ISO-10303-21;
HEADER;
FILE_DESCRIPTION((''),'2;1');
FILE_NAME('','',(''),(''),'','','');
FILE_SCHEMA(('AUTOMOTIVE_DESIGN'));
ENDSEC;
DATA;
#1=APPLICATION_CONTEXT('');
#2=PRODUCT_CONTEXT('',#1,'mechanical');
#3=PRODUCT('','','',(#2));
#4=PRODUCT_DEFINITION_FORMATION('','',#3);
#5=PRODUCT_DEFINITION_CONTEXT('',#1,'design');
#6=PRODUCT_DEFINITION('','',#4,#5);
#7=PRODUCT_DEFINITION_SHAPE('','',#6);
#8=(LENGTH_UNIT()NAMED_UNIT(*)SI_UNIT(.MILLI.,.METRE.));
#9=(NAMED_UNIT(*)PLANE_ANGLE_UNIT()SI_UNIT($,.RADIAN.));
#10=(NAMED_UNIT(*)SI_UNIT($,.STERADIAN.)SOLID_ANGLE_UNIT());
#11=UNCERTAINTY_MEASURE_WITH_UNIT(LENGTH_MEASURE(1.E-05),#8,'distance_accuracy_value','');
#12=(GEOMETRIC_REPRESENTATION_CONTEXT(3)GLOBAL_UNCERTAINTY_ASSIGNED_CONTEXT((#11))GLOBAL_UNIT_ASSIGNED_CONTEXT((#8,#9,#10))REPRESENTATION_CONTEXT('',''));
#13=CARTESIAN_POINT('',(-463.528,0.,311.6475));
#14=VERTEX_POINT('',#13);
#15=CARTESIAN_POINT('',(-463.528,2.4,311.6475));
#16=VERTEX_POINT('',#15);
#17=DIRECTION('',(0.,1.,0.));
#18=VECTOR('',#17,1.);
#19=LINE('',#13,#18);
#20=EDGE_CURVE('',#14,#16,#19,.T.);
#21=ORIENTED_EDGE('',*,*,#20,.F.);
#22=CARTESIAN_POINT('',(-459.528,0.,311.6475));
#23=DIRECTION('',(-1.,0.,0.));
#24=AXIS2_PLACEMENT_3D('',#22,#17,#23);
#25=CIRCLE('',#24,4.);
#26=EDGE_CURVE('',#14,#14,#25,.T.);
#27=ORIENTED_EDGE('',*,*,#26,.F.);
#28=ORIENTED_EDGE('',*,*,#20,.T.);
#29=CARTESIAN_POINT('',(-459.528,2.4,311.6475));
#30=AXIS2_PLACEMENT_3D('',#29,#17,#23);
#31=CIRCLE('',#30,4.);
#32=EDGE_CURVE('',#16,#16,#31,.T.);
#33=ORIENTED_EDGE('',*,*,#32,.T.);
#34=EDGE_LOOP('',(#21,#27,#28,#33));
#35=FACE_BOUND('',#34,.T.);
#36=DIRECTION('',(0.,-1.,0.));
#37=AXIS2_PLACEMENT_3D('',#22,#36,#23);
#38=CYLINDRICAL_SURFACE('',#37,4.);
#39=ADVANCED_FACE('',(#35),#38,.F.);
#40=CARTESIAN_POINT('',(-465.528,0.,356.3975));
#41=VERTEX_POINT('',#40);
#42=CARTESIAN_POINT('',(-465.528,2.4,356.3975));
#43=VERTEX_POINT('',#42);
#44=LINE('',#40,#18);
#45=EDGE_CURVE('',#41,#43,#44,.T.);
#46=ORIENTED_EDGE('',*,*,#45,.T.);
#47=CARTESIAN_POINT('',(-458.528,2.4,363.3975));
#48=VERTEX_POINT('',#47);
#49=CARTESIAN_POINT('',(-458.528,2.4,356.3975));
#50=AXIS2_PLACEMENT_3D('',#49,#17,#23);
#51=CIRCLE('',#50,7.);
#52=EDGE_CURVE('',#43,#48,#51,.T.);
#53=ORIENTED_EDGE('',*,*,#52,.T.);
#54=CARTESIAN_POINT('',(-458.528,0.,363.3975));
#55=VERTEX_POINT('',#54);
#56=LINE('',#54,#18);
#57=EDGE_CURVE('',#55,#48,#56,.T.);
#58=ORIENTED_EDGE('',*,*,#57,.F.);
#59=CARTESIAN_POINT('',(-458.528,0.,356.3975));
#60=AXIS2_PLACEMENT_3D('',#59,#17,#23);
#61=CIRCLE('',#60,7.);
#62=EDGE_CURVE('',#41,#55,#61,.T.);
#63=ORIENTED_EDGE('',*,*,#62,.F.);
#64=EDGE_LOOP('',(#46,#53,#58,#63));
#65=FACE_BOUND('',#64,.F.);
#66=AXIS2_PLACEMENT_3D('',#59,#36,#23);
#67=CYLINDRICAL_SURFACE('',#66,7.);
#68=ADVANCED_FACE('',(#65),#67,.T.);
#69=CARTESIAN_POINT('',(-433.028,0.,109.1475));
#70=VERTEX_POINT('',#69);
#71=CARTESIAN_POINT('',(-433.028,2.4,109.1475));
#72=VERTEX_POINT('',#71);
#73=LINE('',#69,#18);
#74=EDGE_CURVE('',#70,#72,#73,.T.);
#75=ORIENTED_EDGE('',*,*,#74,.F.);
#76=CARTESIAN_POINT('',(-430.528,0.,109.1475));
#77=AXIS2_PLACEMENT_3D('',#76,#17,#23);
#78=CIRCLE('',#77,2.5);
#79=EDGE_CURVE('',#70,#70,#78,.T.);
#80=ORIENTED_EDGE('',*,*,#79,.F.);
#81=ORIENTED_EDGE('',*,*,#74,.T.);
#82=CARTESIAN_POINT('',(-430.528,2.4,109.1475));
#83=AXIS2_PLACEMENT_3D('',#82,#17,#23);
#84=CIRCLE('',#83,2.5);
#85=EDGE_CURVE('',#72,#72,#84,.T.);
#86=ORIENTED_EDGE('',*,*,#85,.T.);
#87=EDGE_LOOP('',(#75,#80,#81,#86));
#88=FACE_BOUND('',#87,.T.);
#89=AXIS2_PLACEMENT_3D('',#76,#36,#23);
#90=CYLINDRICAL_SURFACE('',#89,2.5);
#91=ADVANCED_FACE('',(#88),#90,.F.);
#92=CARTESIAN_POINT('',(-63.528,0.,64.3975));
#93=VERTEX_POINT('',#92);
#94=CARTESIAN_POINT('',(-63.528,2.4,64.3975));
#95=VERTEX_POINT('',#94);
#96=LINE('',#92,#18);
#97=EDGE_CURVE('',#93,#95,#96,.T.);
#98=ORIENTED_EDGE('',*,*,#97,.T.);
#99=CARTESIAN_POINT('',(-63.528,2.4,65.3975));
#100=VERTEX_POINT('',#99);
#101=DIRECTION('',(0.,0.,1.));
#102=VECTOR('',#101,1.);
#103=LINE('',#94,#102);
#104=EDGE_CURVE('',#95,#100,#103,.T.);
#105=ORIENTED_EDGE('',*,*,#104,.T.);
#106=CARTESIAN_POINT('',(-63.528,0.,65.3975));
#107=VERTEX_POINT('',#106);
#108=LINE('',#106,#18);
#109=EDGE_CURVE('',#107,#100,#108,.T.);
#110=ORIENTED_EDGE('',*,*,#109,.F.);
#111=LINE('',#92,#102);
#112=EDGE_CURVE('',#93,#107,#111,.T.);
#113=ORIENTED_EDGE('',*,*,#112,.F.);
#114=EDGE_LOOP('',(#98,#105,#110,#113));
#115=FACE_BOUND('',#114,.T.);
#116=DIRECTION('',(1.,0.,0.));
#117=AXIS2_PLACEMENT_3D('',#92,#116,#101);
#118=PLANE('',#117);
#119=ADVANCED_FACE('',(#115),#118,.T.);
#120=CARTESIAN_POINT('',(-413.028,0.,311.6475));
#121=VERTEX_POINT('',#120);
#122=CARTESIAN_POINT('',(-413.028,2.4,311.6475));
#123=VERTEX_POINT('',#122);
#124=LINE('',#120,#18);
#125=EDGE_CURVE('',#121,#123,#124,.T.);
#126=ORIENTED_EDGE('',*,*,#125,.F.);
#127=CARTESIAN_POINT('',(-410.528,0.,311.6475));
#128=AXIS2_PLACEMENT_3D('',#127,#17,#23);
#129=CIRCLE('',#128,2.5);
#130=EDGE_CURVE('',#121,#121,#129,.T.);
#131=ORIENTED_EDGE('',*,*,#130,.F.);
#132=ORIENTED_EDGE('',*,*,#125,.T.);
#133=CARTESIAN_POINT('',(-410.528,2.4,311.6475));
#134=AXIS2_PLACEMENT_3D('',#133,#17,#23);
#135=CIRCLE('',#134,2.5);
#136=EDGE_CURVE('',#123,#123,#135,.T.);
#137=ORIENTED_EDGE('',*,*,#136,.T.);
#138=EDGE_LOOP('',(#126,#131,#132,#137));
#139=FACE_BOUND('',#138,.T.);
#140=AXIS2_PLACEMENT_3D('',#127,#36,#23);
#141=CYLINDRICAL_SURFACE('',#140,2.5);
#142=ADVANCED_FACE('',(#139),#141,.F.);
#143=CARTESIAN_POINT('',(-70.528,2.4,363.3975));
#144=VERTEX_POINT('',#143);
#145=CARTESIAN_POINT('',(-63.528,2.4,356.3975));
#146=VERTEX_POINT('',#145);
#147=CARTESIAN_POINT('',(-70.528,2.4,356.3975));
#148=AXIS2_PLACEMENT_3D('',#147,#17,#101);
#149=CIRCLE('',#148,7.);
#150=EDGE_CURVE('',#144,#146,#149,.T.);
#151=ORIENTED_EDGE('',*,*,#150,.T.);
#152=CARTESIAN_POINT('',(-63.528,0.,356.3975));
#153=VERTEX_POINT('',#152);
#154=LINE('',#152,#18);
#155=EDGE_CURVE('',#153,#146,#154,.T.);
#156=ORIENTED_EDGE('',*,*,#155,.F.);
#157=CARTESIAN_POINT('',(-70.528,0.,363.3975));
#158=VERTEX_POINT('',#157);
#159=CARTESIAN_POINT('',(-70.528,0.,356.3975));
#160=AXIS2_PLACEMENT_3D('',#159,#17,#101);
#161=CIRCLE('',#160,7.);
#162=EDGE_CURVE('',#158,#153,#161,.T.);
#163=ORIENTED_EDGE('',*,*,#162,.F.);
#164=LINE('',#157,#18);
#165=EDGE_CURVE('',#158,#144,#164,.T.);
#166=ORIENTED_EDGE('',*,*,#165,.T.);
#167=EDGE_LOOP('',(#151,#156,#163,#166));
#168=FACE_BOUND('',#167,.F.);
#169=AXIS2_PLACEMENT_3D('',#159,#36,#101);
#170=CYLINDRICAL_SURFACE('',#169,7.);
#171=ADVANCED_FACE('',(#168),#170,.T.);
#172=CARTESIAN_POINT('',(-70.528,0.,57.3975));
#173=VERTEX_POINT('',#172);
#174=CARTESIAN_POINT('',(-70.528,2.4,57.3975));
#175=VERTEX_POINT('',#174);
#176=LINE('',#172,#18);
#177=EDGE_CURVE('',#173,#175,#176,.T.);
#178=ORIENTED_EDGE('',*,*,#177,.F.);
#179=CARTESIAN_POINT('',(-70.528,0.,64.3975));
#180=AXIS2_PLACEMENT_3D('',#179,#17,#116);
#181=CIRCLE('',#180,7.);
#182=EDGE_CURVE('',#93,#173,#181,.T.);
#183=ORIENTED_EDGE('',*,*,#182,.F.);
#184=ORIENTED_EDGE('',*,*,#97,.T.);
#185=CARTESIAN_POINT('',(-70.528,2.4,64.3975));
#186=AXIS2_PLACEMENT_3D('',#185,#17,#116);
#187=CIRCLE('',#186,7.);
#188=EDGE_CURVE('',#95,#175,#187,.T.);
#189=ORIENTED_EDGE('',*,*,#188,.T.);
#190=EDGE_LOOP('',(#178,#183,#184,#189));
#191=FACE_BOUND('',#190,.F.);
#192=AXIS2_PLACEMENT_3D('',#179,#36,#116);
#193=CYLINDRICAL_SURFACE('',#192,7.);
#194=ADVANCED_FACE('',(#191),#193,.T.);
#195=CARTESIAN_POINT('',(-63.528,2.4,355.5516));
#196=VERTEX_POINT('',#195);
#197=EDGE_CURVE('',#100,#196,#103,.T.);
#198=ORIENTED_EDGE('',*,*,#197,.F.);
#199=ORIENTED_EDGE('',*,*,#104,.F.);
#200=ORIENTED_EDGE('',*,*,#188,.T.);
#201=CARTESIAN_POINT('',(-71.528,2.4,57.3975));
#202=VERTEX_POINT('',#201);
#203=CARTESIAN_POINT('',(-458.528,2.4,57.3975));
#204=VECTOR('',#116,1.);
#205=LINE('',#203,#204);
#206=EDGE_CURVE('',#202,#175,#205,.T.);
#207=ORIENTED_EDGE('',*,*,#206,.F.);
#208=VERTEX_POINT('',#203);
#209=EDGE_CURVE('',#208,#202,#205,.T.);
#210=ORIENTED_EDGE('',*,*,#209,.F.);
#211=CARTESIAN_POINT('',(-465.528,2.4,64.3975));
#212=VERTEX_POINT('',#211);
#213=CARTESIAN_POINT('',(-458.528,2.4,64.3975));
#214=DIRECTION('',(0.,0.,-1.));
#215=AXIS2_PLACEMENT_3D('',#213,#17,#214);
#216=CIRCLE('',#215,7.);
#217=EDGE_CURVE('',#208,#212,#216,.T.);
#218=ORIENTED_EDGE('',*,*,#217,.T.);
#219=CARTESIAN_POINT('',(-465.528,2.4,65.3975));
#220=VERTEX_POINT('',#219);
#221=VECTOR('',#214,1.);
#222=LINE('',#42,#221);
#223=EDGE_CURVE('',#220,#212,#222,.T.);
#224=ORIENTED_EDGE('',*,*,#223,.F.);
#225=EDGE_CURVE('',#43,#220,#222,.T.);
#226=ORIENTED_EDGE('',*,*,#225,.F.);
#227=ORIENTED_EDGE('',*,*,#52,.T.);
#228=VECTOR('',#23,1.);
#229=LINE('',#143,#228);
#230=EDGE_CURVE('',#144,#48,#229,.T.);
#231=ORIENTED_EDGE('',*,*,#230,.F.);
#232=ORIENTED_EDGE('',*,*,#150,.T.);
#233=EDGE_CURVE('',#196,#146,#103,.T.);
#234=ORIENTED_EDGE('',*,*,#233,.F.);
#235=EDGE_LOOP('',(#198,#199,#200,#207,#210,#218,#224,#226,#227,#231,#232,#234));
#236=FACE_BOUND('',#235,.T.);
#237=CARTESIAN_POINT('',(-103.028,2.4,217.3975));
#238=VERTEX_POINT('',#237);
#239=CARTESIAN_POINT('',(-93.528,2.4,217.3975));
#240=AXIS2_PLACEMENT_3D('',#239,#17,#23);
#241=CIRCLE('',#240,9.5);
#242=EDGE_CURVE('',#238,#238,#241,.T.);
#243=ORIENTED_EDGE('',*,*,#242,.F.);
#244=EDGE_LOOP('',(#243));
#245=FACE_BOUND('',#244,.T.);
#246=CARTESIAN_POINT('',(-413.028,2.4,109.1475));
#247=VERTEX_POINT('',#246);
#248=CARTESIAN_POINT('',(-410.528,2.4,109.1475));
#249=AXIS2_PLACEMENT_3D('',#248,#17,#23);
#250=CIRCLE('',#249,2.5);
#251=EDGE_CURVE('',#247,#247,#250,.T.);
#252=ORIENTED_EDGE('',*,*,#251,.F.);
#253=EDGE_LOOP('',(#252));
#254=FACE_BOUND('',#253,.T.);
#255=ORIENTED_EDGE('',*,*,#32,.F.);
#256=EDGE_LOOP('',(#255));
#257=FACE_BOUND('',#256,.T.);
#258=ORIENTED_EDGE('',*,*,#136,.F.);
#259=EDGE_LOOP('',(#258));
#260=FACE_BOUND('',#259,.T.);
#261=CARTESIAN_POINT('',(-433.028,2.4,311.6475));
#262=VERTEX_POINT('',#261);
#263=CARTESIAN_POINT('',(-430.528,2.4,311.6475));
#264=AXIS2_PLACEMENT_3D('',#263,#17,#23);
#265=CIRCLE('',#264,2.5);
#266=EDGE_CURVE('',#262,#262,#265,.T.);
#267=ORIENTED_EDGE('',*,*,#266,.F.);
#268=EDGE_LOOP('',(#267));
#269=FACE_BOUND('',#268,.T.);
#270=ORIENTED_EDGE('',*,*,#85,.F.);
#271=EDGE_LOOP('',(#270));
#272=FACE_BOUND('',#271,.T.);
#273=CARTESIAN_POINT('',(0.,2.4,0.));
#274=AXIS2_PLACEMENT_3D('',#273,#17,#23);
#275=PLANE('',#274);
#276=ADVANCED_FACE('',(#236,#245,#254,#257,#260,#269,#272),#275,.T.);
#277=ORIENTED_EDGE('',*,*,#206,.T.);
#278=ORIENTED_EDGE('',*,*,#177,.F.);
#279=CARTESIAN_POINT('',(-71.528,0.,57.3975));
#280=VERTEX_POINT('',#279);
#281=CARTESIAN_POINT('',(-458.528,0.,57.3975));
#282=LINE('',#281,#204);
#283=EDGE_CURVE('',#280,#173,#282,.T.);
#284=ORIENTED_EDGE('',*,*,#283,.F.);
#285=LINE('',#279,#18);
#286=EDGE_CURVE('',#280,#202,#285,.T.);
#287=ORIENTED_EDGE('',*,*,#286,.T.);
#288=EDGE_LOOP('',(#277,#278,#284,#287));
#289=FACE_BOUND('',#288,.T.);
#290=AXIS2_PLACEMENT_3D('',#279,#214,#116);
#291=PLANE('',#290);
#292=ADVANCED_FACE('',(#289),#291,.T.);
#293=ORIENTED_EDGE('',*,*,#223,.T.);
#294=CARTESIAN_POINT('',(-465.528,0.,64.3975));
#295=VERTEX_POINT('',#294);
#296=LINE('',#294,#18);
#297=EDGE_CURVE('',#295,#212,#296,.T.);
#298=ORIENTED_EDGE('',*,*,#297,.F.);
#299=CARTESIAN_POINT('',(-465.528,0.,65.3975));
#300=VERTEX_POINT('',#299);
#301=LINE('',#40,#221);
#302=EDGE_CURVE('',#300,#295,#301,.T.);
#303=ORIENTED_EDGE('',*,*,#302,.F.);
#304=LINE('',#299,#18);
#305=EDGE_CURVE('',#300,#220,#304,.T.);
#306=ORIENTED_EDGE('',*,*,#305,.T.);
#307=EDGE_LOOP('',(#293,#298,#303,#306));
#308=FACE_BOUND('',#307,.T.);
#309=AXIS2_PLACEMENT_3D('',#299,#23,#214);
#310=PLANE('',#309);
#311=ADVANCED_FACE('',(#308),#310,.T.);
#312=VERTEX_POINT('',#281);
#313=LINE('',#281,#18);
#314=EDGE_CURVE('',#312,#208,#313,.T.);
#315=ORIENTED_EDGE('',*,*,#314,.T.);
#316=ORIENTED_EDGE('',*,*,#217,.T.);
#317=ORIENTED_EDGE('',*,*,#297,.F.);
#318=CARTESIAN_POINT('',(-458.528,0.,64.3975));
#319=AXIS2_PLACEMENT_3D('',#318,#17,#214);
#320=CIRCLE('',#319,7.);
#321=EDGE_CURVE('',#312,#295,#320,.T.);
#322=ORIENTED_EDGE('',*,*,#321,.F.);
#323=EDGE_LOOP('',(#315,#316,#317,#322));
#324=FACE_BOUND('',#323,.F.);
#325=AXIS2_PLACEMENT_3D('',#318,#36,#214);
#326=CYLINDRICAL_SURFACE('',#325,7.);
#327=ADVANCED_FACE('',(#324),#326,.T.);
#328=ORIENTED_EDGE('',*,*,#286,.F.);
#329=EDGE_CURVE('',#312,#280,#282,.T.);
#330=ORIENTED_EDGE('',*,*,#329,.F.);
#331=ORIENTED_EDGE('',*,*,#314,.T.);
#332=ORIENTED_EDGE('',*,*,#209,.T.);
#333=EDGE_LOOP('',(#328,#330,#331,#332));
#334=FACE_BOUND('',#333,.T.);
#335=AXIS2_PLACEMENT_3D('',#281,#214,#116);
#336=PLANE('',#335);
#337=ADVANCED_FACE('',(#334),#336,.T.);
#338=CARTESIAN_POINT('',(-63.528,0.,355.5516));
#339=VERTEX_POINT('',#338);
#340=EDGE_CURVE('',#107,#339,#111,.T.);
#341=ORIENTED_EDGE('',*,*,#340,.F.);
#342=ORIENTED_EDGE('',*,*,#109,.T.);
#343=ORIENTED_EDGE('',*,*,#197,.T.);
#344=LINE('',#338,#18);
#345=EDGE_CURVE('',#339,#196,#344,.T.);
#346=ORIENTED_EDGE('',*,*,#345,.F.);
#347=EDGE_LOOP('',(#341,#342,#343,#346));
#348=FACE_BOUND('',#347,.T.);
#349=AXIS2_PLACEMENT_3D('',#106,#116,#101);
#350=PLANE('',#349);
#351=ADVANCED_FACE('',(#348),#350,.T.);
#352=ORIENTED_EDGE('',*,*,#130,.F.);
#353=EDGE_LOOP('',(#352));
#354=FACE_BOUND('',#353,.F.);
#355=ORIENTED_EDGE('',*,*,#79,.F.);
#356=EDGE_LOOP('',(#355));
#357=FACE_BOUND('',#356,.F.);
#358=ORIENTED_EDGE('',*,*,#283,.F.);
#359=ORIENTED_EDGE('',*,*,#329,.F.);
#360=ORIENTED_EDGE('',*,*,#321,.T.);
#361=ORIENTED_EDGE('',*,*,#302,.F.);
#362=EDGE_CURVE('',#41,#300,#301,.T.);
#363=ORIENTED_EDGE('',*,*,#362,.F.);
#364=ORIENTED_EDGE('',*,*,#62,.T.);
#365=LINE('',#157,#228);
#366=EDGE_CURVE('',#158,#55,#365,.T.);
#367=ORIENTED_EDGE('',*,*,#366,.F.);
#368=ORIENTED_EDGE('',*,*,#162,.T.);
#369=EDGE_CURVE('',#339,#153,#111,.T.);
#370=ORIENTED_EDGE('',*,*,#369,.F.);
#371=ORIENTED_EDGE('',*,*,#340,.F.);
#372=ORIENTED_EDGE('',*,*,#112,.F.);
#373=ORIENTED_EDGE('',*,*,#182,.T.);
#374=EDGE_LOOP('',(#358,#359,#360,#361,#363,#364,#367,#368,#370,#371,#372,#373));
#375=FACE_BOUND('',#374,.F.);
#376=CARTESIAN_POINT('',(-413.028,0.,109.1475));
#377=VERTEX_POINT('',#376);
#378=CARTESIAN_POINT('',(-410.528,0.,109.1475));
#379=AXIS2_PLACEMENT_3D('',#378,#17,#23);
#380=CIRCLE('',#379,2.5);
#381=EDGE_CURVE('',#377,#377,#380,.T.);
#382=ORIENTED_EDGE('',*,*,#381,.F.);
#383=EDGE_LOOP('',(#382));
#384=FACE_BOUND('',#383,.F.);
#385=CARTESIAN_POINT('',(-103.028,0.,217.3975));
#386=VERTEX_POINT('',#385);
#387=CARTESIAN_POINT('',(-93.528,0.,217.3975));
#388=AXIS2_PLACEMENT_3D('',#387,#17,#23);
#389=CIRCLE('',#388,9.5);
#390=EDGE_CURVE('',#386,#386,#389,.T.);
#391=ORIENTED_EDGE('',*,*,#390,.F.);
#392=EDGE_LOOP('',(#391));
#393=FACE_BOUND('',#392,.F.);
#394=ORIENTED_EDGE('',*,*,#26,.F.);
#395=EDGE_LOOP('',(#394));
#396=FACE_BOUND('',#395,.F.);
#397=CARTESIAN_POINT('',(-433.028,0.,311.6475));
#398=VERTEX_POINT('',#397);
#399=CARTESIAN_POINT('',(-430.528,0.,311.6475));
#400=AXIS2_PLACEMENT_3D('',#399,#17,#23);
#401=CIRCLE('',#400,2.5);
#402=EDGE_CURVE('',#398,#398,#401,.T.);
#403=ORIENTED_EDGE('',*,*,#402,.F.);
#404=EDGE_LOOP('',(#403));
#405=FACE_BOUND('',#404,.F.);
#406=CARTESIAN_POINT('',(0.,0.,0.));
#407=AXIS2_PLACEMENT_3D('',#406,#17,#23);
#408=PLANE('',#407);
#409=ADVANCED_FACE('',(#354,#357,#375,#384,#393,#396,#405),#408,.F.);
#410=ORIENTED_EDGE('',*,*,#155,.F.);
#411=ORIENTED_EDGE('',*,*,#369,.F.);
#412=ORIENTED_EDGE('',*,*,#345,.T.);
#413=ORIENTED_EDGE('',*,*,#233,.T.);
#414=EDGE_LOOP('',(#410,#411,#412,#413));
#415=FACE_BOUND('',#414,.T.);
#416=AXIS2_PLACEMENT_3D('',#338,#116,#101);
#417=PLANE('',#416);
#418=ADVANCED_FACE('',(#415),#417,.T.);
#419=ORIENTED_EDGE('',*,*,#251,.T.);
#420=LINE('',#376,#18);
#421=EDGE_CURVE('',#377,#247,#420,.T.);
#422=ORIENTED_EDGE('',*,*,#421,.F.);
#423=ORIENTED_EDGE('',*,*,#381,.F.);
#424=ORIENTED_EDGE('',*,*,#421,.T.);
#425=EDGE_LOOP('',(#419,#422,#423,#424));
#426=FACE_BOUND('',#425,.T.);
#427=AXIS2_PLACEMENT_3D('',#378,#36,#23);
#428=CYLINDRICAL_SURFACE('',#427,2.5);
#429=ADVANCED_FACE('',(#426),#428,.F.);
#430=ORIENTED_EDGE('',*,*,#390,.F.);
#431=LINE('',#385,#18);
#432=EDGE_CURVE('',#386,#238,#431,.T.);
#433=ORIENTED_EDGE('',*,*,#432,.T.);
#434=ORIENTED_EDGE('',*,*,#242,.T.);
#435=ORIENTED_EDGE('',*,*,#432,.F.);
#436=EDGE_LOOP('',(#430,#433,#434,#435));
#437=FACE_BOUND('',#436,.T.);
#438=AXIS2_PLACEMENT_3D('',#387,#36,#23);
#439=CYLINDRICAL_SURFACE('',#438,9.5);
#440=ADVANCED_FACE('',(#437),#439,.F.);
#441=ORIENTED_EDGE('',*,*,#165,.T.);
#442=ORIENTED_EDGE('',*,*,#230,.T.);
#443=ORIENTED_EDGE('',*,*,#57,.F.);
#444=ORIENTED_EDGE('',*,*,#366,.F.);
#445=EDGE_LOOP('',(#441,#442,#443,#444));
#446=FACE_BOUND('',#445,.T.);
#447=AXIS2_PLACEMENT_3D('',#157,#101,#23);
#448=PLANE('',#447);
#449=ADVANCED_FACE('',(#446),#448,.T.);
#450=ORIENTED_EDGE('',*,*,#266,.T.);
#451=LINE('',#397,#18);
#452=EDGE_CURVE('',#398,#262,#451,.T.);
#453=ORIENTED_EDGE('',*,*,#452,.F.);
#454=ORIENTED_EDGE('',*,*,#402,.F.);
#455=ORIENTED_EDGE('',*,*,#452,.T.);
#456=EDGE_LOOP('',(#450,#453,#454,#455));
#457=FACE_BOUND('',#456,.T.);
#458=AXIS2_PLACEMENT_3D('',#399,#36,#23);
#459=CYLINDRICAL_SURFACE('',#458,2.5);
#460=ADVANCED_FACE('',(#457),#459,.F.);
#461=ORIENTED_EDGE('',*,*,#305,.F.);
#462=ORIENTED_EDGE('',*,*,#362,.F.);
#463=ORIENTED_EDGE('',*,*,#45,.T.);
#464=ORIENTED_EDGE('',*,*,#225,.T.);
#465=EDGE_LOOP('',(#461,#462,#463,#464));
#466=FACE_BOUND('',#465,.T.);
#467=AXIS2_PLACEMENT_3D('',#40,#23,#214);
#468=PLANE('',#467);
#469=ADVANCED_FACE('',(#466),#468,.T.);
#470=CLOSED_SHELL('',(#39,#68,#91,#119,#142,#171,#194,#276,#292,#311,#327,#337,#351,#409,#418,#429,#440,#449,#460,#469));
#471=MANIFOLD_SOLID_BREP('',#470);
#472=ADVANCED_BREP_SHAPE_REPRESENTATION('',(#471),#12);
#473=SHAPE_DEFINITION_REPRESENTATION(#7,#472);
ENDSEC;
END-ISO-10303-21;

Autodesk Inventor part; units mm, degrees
ref_plane "YZ Plane" through (0, 0, 0) normal (1, 0, 0) x (0, 1, 0)
ref_plane "XZ Plane" through (0, 0, 0) normal (0, 1, 0) x (-1, 0, 0)
ref_plane "XY Plane" through (0, 0, 0) normal (0, 0, 1) x (1, 0, 0)
sketch "Boceto1" plane through (0, 0, 0) normal (0, 1, 0) x (-1, 0, 0)
  line L0 (458.528, 57.3975) -> (70.528, 57.3975)
  line L1 (63.528, 64.3975) -> (63.528, 356.3975)
  line L2 (70.528, 363.3975) -> (458.528, 363.3975)
  line L3 (465.528, 356.3975) -> (465.528, 64.3975)
  circle A0 centre (410.528, 311.6475) radius 2.5
  circle A1 centre (410.528, 109.1475) radius 2.5
  circle A2 centre (430.528, 109.1475) radius 2.5
  circle A3 centre (430.528, 311.6475) radius 2.5
  circle A4 centre (459.528, 311.6475) radius 4
  circle A5 centre (93.528, 217.3975) radius 9.5
  line L4 (69.9652, 363.3975) -> (70.528, 363.3975)
  line L5 (63.528, 355.5516) -> (63.528, 356.3975)
  line L6 (63.528, 65.3975) -> (63.528, 64.3975)
  line L7 (71.528, 57.3975) -> (70.528, 57.3975)
  line L8 (465.528, 65.3975) -> (465.528, 64.3975)
  arc A6 (458.528, 57.3975) -> (465.528, 64.3975) centre (458.528, 64.3975) ccw
  arc A7 (63.528, 64.3975) -> (70.528, 57.3975) centre (70.528, 64.3975) ccw
  arc A8 (70.528, 363.3975) -> (63.528, 356.3975) centre (70.528, 356.3975) ccw
  arc A9 (465.528, 356.3975) -> (458.528, 363.3975) centre (458.528, 356.3975) ccw
  point P0 (0, 0)
  point P1 (457.528, 57.3975)
  point P2 (465.528, 363.3975)
  point P3 (465.528, 57.3975)
  point P4 (63.528, 57.3975)
  point P5 (63.528, 363.3975)
  dimension "d11" = 306
  dimension "d14" = 402
  dimension "d15" = 5
  dimension "d16" = 55
  dimension "d17" = 51.75
  dimension "d18" = 5
  dimension "d19" = 55
  dimension "d20" = 202.5
  dimension "d21" = 5
  dimension "d22" = 20
  dimension "d23" = 5
  dimension "d24" = 20
  dimension "d25" = 8
  dimension "d26" = 6
  dimension "d28" = 19
  dimension "d29" = 30
  dimension "d30" = 51.75
  dimension "d33" = 7
  dimension "d34" = 7
  dimension "d35" = 146
extrude "Extrusión1" add sketch "Boceto1" along normal blind 2.4
properties part number "Puerta Frontal"
